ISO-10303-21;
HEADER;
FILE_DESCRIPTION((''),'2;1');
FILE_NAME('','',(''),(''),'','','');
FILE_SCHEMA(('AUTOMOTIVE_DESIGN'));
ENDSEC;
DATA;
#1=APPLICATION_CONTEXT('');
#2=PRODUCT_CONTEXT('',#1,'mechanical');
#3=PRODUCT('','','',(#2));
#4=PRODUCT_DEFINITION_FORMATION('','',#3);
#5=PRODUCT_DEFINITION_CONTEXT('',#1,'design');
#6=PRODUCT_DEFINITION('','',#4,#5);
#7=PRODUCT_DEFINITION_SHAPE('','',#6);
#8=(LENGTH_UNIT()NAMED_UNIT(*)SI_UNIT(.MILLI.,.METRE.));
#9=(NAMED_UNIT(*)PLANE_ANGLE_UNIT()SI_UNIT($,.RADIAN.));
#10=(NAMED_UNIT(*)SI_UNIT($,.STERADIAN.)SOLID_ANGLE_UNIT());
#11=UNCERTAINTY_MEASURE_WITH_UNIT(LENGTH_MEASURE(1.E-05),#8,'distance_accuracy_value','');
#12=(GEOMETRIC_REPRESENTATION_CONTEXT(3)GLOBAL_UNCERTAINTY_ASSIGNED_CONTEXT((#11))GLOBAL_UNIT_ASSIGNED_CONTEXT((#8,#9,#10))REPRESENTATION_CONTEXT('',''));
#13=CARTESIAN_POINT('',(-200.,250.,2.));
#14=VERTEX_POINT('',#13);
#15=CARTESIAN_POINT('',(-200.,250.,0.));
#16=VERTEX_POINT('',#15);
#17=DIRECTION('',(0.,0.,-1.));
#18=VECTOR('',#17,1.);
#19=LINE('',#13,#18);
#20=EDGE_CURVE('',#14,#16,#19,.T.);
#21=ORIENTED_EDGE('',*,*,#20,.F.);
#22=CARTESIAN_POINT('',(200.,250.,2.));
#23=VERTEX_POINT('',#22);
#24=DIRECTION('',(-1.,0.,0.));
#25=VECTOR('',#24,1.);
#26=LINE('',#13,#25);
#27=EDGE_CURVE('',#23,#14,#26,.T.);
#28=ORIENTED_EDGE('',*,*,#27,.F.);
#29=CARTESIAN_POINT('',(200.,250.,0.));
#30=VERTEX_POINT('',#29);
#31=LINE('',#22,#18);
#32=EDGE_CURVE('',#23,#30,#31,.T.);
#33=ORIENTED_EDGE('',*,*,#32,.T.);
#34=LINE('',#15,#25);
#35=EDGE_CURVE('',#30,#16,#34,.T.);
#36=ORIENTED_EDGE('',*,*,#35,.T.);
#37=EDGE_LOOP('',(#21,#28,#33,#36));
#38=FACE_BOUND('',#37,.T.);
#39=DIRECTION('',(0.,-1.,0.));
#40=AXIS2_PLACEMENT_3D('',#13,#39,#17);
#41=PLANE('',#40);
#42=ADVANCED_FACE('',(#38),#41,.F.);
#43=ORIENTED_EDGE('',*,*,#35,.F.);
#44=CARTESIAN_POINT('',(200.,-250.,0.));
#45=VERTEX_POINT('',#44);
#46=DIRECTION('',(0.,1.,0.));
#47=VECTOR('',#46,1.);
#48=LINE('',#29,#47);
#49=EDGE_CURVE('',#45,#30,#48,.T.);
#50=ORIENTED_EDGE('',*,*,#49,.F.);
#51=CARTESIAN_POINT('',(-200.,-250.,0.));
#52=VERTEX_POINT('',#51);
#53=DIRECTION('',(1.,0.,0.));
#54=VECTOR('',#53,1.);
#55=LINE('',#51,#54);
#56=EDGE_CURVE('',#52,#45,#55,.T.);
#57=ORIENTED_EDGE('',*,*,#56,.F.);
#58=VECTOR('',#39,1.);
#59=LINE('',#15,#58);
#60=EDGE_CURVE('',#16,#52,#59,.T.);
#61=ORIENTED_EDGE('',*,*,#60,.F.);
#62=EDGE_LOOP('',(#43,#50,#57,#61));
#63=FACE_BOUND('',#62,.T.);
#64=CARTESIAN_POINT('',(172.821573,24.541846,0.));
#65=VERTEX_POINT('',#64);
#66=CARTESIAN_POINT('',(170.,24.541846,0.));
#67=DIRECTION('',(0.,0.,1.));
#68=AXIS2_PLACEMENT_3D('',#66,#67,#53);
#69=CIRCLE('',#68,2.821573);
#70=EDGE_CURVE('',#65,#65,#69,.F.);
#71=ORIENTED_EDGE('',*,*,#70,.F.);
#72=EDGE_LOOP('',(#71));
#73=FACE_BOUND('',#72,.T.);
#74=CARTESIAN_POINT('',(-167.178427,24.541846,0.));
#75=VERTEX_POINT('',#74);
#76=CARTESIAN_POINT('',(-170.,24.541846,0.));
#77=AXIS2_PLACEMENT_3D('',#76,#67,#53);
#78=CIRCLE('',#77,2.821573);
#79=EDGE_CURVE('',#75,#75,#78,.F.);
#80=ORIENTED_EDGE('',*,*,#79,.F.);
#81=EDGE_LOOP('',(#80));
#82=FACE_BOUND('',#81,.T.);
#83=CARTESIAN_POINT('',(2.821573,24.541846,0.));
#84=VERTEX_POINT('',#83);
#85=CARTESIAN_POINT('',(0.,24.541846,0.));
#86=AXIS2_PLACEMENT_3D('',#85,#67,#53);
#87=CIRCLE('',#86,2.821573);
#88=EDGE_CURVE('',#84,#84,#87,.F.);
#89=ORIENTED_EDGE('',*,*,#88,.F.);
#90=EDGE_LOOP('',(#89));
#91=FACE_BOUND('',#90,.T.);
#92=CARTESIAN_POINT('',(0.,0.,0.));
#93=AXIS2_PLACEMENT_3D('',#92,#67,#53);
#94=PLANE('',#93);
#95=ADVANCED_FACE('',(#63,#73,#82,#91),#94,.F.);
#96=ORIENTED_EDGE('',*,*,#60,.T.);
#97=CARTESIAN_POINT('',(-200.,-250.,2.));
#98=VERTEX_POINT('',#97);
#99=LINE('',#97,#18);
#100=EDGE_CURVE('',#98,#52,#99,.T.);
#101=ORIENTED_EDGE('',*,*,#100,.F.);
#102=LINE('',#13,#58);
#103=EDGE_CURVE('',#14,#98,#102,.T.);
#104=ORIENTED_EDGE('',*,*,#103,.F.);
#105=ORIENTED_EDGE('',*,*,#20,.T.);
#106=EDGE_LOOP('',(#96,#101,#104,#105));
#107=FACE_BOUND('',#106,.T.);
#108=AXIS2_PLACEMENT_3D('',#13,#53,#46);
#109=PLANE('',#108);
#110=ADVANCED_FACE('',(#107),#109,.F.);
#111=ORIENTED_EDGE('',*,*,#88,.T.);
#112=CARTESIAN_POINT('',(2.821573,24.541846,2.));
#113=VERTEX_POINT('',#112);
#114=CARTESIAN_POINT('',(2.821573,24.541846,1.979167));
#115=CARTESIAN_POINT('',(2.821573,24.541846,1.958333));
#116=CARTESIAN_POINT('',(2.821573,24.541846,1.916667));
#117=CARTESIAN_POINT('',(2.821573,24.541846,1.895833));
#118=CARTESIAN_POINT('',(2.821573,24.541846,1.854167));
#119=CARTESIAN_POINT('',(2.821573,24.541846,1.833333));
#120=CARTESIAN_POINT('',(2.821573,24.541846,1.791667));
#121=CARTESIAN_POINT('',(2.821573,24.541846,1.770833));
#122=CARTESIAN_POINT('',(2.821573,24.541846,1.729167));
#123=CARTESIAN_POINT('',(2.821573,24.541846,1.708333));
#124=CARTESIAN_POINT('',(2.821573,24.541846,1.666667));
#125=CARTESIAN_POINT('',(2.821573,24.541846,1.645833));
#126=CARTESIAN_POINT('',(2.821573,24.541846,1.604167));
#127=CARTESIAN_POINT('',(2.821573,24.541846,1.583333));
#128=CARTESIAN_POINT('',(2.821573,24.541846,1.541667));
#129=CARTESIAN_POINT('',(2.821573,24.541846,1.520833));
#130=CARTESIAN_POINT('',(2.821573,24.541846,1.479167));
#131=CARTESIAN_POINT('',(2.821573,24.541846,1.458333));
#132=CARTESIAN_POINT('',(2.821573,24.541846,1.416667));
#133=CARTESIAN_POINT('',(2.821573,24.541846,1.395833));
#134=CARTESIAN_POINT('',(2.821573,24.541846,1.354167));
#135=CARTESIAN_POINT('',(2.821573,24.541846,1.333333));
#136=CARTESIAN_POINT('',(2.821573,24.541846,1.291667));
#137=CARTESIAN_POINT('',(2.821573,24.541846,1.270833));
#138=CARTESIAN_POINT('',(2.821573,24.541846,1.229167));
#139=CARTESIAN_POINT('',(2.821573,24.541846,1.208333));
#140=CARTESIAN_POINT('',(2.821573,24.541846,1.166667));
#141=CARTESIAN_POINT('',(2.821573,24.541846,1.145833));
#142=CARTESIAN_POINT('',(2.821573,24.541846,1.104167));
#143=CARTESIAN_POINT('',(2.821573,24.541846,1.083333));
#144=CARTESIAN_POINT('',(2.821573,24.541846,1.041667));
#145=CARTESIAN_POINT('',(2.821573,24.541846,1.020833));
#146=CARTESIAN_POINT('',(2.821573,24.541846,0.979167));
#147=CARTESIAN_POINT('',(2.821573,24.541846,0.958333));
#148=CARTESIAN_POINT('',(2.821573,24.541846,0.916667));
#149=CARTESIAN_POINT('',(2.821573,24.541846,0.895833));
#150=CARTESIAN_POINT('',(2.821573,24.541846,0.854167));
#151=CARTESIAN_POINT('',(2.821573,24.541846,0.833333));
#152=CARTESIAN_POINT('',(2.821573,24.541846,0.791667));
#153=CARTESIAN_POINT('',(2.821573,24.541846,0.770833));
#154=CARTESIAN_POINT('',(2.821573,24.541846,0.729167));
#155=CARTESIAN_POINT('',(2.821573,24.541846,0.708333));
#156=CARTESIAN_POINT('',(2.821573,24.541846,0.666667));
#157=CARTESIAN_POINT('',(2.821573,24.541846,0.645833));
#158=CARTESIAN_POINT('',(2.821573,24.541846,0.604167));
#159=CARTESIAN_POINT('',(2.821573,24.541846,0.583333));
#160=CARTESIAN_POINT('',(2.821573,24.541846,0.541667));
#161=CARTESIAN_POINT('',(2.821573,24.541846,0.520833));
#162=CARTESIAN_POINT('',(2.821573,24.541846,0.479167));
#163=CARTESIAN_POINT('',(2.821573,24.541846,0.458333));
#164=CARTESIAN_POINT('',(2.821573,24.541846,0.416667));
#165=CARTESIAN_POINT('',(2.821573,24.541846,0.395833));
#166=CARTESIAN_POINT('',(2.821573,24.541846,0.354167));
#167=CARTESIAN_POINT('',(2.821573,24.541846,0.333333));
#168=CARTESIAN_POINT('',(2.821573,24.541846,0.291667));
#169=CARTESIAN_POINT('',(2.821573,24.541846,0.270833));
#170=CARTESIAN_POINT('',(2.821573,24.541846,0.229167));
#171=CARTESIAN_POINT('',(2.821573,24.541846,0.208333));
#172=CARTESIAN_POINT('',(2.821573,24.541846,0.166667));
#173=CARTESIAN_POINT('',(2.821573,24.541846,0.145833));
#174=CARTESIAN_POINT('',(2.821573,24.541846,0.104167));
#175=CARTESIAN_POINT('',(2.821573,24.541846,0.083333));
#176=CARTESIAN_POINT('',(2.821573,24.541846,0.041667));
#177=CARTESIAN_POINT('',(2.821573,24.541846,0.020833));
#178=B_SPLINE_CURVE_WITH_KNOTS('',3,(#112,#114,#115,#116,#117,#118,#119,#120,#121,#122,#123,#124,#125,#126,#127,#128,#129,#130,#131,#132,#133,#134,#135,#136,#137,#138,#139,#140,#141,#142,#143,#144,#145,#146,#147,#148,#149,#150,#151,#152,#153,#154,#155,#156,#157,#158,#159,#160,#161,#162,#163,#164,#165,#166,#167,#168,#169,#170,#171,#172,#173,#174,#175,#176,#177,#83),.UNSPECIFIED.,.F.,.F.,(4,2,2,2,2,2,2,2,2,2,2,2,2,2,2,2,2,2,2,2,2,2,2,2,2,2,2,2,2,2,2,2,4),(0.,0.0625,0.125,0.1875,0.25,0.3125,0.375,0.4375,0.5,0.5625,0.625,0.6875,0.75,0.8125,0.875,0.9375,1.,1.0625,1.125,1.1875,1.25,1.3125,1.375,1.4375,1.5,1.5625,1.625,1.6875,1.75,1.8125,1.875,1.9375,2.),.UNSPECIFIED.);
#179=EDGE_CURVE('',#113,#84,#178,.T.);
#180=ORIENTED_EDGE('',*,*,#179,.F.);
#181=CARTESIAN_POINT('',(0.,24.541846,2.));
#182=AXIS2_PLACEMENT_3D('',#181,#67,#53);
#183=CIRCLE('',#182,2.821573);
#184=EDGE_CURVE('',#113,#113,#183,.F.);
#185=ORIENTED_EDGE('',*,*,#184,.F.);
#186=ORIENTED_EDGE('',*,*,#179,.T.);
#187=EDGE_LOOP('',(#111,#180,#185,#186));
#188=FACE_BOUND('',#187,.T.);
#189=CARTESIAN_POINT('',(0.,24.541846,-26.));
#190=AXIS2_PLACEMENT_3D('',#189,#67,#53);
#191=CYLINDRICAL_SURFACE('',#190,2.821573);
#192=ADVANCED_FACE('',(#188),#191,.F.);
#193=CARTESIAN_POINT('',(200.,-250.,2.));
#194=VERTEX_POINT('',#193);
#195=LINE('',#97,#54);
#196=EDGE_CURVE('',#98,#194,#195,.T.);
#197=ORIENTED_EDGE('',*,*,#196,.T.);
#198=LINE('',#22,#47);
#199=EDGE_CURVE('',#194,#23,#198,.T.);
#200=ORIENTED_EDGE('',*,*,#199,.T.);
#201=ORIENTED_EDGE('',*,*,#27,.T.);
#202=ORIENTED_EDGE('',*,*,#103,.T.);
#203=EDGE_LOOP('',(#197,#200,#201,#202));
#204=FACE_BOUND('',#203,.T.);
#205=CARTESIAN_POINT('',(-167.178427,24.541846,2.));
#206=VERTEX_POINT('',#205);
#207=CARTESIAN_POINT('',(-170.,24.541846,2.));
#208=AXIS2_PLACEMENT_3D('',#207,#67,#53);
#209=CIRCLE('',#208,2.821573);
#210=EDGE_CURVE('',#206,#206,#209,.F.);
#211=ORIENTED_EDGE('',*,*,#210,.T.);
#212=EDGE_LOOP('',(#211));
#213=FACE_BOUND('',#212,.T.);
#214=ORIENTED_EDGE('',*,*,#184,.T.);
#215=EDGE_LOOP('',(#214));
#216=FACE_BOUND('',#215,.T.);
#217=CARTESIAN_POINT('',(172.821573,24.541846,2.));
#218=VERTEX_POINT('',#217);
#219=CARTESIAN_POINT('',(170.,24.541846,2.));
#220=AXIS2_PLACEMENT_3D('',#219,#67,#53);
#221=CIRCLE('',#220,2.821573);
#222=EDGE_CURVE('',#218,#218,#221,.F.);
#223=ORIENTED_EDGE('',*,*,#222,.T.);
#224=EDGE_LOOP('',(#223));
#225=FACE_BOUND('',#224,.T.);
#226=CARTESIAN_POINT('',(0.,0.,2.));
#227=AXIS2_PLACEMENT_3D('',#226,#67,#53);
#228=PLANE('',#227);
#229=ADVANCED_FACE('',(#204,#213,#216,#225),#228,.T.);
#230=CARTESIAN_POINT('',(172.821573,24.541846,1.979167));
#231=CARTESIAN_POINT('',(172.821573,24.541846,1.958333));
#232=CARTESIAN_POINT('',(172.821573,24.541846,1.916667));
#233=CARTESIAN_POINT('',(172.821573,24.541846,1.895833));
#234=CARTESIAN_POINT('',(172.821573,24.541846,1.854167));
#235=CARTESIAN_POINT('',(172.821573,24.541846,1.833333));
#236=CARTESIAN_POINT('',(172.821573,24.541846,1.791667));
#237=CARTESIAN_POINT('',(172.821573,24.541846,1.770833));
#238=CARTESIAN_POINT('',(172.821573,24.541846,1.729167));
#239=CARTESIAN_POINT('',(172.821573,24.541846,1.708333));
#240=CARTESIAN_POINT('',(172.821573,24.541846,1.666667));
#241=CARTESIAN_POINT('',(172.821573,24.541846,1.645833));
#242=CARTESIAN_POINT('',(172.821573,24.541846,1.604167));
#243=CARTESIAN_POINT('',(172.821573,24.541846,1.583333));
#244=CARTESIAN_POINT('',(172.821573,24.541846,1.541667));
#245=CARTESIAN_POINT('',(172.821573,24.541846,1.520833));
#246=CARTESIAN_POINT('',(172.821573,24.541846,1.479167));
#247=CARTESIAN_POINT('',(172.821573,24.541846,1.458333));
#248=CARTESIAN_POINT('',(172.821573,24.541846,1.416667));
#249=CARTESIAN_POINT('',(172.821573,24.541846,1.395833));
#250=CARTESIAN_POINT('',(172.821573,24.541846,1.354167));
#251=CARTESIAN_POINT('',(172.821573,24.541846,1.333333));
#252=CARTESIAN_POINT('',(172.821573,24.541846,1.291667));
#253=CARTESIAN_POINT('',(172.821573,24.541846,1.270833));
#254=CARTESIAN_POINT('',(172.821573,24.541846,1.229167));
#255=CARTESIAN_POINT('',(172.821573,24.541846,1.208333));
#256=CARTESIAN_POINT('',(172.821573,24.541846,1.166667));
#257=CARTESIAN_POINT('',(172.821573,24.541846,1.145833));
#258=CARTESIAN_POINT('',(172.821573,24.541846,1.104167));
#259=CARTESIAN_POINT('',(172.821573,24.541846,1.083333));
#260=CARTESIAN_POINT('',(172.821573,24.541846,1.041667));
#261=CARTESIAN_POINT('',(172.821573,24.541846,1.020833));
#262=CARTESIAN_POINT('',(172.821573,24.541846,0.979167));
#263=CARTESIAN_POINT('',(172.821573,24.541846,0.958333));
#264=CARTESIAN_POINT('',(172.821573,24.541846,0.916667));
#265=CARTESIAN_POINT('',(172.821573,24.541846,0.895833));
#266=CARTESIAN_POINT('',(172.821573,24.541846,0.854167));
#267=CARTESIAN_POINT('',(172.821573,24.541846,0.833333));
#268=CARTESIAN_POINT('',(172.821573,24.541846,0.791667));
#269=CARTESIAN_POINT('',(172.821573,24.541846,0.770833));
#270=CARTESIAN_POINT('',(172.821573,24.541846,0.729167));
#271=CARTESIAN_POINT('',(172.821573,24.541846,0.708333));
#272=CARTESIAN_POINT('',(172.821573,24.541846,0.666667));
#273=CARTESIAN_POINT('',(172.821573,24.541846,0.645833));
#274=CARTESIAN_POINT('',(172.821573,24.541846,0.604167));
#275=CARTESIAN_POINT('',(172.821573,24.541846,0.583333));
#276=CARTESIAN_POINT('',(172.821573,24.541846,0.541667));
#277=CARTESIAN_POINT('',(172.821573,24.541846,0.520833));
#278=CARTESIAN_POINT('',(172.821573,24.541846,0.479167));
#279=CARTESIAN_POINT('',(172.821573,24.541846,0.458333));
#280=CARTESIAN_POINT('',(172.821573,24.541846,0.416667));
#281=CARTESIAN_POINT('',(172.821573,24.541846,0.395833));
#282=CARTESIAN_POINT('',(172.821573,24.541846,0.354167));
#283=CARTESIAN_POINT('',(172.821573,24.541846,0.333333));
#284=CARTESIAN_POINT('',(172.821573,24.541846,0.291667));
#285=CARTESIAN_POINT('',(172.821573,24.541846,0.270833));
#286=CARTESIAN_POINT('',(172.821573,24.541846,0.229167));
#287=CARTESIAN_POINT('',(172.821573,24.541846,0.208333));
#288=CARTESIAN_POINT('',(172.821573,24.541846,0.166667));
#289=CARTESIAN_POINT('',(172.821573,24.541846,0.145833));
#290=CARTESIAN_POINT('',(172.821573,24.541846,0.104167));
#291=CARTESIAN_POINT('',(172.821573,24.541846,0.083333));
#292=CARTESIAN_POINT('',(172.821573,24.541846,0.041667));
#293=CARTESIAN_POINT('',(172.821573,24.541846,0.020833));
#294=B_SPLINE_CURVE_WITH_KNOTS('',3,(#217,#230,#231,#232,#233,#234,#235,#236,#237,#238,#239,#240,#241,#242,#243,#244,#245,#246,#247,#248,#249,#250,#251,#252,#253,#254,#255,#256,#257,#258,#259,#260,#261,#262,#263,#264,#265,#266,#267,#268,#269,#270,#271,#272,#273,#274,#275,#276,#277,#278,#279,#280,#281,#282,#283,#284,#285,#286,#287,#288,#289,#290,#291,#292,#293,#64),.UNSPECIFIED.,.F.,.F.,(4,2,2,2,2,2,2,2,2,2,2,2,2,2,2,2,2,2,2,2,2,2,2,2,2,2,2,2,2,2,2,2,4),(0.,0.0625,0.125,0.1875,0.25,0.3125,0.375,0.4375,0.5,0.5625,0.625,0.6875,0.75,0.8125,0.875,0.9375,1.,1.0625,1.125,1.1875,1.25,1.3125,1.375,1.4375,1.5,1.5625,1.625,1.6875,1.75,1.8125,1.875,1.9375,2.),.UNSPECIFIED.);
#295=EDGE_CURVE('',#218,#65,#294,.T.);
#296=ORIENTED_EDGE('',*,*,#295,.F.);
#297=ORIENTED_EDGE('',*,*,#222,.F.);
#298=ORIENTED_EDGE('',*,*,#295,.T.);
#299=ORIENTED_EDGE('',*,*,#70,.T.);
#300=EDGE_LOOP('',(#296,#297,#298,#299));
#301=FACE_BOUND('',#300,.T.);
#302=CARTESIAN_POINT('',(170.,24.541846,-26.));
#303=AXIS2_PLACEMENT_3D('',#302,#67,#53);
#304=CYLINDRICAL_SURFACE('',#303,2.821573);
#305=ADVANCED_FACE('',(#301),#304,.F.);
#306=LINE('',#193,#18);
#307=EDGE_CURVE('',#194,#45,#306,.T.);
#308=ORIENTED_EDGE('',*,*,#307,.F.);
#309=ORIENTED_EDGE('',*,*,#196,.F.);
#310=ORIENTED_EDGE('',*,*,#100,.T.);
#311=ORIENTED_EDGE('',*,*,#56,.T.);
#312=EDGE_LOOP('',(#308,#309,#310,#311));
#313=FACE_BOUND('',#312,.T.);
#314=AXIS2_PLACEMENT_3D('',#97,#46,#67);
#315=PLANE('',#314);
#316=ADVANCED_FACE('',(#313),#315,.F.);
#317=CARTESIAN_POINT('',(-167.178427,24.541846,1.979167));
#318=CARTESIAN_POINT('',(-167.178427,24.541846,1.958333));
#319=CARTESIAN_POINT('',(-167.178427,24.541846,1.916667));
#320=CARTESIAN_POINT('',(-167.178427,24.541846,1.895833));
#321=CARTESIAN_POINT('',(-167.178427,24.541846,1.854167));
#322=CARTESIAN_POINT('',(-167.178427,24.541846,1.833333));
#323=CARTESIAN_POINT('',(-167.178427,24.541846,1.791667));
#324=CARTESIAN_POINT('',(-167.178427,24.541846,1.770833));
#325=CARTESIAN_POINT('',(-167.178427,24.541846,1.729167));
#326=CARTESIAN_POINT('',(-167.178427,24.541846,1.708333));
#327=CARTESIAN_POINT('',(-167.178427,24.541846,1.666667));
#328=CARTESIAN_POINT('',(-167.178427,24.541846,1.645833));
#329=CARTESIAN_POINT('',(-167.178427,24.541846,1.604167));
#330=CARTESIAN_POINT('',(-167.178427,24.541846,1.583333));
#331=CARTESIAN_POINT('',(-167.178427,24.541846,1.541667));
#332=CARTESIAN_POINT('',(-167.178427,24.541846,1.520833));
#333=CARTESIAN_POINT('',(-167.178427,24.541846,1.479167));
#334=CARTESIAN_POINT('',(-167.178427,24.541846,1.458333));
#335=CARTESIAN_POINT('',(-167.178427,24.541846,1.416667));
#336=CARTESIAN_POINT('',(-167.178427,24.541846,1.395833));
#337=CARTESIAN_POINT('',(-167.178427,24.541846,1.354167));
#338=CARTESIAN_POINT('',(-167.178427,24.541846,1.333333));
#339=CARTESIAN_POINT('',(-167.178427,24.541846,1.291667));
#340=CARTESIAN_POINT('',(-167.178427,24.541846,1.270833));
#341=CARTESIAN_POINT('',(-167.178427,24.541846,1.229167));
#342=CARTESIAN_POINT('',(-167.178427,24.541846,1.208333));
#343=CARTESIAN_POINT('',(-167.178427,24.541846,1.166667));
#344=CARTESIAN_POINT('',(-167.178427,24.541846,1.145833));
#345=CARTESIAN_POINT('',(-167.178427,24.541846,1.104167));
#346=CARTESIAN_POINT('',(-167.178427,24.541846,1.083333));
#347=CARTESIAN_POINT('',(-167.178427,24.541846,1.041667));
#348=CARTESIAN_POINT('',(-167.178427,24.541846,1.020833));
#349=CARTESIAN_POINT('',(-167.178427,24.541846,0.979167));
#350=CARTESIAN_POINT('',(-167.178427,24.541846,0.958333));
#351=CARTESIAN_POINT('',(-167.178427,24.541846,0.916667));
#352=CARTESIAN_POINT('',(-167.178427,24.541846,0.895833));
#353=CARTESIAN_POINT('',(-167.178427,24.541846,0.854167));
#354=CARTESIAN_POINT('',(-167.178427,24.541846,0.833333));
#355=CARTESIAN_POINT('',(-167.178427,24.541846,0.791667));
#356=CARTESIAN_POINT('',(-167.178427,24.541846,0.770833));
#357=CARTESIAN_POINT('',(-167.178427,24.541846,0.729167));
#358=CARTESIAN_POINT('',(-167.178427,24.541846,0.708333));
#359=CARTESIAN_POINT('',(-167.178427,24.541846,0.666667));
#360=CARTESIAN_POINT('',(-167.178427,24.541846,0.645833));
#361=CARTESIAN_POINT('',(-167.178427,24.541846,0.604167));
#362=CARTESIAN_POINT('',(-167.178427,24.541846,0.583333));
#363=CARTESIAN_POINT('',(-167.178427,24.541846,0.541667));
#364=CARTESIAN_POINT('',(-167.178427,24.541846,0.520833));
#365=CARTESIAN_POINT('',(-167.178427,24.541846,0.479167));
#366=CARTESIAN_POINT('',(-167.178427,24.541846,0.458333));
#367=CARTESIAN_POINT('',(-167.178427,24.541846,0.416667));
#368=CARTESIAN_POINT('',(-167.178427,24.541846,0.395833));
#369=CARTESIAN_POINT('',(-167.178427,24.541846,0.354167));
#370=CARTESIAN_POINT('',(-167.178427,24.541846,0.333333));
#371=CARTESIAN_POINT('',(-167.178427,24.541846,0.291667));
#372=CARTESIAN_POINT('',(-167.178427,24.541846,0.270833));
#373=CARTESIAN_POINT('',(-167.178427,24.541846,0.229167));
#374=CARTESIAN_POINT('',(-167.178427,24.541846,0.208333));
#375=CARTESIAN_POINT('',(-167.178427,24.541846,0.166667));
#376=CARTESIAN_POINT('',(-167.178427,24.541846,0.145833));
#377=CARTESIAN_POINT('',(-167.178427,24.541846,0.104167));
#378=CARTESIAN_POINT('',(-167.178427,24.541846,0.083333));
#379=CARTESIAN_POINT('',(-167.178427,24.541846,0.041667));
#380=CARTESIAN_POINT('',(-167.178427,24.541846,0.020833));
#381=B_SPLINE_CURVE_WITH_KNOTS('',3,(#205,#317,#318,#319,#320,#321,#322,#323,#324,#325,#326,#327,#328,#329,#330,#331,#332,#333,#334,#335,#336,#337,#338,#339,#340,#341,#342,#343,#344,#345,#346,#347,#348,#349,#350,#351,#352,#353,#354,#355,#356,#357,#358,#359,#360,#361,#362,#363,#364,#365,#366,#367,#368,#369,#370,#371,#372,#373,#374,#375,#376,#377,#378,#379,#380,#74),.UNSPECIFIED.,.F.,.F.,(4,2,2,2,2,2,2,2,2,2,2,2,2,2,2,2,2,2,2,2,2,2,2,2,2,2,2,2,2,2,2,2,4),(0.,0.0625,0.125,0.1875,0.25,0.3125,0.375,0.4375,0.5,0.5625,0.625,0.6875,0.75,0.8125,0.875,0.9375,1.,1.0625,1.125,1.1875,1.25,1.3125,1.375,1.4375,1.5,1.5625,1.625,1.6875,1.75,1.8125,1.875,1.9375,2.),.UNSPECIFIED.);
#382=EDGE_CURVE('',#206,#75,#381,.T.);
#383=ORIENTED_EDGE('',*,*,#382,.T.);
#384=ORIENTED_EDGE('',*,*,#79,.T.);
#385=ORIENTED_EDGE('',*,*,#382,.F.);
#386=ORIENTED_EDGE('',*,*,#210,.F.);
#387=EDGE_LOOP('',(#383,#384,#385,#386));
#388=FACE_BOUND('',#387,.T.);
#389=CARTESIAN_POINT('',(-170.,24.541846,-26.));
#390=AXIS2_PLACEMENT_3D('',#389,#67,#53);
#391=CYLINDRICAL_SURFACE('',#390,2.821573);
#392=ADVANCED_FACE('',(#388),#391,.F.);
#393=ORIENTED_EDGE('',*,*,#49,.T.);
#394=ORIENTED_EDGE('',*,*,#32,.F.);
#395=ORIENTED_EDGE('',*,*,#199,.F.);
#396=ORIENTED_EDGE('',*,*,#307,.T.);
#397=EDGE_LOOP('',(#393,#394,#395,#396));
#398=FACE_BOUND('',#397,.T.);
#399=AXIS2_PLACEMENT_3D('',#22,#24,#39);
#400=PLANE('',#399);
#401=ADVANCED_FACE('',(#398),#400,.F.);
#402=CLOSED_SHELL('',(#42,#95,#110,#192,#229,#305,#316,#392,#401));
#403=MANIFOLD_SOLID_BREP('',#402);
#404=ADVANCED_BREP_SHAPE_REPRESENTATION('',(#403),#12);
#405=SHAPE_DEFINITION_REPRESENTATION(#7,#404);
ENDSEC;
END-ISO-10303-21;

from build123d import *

# Parameters (mm, degrees)
SKETCH1_W           = 400
SKETCH1_H           = 500
BOSS_EXTRUDE1_DEPTH = 2
SKETCH3_R           = 2.821572875
CUT_EXTRUDE2_DEPTH  = 60


with BuildPart() as part:
    # Sketch1 → Boss-Extrude1 (new body)
    with BuildSketch(Plane.XY):
        Rectangle(SKETCH1_W, SKETCH1_H)
    extrude(amount=BOSS_EXTRUDE1_DEPTH)

    # Sketch3 → Cut-Extrude2 (cut)
    with BuildSketch(Plane(origin=(0, 7.541845926, 34), x_dir=(-1, 0, 0), z_dir=(0, 0, -1))):
        with Locations(Location((-170, 17, 0), (0, 0, 180))):
            Circle(SKETCH3_R)
        with Locations(Location((0, 17, 0), (0, 0, 180))):
            Circle(SKETCH3_R)
        with Locations(Location((170, 17, 0), (0, 0, 180))):
            Circle(SKETCH3_R)
    extrude(amount=CUT_EXTRUDE2_DEPTH, mode=Mode.SUBTRACT)


solid = part.part
